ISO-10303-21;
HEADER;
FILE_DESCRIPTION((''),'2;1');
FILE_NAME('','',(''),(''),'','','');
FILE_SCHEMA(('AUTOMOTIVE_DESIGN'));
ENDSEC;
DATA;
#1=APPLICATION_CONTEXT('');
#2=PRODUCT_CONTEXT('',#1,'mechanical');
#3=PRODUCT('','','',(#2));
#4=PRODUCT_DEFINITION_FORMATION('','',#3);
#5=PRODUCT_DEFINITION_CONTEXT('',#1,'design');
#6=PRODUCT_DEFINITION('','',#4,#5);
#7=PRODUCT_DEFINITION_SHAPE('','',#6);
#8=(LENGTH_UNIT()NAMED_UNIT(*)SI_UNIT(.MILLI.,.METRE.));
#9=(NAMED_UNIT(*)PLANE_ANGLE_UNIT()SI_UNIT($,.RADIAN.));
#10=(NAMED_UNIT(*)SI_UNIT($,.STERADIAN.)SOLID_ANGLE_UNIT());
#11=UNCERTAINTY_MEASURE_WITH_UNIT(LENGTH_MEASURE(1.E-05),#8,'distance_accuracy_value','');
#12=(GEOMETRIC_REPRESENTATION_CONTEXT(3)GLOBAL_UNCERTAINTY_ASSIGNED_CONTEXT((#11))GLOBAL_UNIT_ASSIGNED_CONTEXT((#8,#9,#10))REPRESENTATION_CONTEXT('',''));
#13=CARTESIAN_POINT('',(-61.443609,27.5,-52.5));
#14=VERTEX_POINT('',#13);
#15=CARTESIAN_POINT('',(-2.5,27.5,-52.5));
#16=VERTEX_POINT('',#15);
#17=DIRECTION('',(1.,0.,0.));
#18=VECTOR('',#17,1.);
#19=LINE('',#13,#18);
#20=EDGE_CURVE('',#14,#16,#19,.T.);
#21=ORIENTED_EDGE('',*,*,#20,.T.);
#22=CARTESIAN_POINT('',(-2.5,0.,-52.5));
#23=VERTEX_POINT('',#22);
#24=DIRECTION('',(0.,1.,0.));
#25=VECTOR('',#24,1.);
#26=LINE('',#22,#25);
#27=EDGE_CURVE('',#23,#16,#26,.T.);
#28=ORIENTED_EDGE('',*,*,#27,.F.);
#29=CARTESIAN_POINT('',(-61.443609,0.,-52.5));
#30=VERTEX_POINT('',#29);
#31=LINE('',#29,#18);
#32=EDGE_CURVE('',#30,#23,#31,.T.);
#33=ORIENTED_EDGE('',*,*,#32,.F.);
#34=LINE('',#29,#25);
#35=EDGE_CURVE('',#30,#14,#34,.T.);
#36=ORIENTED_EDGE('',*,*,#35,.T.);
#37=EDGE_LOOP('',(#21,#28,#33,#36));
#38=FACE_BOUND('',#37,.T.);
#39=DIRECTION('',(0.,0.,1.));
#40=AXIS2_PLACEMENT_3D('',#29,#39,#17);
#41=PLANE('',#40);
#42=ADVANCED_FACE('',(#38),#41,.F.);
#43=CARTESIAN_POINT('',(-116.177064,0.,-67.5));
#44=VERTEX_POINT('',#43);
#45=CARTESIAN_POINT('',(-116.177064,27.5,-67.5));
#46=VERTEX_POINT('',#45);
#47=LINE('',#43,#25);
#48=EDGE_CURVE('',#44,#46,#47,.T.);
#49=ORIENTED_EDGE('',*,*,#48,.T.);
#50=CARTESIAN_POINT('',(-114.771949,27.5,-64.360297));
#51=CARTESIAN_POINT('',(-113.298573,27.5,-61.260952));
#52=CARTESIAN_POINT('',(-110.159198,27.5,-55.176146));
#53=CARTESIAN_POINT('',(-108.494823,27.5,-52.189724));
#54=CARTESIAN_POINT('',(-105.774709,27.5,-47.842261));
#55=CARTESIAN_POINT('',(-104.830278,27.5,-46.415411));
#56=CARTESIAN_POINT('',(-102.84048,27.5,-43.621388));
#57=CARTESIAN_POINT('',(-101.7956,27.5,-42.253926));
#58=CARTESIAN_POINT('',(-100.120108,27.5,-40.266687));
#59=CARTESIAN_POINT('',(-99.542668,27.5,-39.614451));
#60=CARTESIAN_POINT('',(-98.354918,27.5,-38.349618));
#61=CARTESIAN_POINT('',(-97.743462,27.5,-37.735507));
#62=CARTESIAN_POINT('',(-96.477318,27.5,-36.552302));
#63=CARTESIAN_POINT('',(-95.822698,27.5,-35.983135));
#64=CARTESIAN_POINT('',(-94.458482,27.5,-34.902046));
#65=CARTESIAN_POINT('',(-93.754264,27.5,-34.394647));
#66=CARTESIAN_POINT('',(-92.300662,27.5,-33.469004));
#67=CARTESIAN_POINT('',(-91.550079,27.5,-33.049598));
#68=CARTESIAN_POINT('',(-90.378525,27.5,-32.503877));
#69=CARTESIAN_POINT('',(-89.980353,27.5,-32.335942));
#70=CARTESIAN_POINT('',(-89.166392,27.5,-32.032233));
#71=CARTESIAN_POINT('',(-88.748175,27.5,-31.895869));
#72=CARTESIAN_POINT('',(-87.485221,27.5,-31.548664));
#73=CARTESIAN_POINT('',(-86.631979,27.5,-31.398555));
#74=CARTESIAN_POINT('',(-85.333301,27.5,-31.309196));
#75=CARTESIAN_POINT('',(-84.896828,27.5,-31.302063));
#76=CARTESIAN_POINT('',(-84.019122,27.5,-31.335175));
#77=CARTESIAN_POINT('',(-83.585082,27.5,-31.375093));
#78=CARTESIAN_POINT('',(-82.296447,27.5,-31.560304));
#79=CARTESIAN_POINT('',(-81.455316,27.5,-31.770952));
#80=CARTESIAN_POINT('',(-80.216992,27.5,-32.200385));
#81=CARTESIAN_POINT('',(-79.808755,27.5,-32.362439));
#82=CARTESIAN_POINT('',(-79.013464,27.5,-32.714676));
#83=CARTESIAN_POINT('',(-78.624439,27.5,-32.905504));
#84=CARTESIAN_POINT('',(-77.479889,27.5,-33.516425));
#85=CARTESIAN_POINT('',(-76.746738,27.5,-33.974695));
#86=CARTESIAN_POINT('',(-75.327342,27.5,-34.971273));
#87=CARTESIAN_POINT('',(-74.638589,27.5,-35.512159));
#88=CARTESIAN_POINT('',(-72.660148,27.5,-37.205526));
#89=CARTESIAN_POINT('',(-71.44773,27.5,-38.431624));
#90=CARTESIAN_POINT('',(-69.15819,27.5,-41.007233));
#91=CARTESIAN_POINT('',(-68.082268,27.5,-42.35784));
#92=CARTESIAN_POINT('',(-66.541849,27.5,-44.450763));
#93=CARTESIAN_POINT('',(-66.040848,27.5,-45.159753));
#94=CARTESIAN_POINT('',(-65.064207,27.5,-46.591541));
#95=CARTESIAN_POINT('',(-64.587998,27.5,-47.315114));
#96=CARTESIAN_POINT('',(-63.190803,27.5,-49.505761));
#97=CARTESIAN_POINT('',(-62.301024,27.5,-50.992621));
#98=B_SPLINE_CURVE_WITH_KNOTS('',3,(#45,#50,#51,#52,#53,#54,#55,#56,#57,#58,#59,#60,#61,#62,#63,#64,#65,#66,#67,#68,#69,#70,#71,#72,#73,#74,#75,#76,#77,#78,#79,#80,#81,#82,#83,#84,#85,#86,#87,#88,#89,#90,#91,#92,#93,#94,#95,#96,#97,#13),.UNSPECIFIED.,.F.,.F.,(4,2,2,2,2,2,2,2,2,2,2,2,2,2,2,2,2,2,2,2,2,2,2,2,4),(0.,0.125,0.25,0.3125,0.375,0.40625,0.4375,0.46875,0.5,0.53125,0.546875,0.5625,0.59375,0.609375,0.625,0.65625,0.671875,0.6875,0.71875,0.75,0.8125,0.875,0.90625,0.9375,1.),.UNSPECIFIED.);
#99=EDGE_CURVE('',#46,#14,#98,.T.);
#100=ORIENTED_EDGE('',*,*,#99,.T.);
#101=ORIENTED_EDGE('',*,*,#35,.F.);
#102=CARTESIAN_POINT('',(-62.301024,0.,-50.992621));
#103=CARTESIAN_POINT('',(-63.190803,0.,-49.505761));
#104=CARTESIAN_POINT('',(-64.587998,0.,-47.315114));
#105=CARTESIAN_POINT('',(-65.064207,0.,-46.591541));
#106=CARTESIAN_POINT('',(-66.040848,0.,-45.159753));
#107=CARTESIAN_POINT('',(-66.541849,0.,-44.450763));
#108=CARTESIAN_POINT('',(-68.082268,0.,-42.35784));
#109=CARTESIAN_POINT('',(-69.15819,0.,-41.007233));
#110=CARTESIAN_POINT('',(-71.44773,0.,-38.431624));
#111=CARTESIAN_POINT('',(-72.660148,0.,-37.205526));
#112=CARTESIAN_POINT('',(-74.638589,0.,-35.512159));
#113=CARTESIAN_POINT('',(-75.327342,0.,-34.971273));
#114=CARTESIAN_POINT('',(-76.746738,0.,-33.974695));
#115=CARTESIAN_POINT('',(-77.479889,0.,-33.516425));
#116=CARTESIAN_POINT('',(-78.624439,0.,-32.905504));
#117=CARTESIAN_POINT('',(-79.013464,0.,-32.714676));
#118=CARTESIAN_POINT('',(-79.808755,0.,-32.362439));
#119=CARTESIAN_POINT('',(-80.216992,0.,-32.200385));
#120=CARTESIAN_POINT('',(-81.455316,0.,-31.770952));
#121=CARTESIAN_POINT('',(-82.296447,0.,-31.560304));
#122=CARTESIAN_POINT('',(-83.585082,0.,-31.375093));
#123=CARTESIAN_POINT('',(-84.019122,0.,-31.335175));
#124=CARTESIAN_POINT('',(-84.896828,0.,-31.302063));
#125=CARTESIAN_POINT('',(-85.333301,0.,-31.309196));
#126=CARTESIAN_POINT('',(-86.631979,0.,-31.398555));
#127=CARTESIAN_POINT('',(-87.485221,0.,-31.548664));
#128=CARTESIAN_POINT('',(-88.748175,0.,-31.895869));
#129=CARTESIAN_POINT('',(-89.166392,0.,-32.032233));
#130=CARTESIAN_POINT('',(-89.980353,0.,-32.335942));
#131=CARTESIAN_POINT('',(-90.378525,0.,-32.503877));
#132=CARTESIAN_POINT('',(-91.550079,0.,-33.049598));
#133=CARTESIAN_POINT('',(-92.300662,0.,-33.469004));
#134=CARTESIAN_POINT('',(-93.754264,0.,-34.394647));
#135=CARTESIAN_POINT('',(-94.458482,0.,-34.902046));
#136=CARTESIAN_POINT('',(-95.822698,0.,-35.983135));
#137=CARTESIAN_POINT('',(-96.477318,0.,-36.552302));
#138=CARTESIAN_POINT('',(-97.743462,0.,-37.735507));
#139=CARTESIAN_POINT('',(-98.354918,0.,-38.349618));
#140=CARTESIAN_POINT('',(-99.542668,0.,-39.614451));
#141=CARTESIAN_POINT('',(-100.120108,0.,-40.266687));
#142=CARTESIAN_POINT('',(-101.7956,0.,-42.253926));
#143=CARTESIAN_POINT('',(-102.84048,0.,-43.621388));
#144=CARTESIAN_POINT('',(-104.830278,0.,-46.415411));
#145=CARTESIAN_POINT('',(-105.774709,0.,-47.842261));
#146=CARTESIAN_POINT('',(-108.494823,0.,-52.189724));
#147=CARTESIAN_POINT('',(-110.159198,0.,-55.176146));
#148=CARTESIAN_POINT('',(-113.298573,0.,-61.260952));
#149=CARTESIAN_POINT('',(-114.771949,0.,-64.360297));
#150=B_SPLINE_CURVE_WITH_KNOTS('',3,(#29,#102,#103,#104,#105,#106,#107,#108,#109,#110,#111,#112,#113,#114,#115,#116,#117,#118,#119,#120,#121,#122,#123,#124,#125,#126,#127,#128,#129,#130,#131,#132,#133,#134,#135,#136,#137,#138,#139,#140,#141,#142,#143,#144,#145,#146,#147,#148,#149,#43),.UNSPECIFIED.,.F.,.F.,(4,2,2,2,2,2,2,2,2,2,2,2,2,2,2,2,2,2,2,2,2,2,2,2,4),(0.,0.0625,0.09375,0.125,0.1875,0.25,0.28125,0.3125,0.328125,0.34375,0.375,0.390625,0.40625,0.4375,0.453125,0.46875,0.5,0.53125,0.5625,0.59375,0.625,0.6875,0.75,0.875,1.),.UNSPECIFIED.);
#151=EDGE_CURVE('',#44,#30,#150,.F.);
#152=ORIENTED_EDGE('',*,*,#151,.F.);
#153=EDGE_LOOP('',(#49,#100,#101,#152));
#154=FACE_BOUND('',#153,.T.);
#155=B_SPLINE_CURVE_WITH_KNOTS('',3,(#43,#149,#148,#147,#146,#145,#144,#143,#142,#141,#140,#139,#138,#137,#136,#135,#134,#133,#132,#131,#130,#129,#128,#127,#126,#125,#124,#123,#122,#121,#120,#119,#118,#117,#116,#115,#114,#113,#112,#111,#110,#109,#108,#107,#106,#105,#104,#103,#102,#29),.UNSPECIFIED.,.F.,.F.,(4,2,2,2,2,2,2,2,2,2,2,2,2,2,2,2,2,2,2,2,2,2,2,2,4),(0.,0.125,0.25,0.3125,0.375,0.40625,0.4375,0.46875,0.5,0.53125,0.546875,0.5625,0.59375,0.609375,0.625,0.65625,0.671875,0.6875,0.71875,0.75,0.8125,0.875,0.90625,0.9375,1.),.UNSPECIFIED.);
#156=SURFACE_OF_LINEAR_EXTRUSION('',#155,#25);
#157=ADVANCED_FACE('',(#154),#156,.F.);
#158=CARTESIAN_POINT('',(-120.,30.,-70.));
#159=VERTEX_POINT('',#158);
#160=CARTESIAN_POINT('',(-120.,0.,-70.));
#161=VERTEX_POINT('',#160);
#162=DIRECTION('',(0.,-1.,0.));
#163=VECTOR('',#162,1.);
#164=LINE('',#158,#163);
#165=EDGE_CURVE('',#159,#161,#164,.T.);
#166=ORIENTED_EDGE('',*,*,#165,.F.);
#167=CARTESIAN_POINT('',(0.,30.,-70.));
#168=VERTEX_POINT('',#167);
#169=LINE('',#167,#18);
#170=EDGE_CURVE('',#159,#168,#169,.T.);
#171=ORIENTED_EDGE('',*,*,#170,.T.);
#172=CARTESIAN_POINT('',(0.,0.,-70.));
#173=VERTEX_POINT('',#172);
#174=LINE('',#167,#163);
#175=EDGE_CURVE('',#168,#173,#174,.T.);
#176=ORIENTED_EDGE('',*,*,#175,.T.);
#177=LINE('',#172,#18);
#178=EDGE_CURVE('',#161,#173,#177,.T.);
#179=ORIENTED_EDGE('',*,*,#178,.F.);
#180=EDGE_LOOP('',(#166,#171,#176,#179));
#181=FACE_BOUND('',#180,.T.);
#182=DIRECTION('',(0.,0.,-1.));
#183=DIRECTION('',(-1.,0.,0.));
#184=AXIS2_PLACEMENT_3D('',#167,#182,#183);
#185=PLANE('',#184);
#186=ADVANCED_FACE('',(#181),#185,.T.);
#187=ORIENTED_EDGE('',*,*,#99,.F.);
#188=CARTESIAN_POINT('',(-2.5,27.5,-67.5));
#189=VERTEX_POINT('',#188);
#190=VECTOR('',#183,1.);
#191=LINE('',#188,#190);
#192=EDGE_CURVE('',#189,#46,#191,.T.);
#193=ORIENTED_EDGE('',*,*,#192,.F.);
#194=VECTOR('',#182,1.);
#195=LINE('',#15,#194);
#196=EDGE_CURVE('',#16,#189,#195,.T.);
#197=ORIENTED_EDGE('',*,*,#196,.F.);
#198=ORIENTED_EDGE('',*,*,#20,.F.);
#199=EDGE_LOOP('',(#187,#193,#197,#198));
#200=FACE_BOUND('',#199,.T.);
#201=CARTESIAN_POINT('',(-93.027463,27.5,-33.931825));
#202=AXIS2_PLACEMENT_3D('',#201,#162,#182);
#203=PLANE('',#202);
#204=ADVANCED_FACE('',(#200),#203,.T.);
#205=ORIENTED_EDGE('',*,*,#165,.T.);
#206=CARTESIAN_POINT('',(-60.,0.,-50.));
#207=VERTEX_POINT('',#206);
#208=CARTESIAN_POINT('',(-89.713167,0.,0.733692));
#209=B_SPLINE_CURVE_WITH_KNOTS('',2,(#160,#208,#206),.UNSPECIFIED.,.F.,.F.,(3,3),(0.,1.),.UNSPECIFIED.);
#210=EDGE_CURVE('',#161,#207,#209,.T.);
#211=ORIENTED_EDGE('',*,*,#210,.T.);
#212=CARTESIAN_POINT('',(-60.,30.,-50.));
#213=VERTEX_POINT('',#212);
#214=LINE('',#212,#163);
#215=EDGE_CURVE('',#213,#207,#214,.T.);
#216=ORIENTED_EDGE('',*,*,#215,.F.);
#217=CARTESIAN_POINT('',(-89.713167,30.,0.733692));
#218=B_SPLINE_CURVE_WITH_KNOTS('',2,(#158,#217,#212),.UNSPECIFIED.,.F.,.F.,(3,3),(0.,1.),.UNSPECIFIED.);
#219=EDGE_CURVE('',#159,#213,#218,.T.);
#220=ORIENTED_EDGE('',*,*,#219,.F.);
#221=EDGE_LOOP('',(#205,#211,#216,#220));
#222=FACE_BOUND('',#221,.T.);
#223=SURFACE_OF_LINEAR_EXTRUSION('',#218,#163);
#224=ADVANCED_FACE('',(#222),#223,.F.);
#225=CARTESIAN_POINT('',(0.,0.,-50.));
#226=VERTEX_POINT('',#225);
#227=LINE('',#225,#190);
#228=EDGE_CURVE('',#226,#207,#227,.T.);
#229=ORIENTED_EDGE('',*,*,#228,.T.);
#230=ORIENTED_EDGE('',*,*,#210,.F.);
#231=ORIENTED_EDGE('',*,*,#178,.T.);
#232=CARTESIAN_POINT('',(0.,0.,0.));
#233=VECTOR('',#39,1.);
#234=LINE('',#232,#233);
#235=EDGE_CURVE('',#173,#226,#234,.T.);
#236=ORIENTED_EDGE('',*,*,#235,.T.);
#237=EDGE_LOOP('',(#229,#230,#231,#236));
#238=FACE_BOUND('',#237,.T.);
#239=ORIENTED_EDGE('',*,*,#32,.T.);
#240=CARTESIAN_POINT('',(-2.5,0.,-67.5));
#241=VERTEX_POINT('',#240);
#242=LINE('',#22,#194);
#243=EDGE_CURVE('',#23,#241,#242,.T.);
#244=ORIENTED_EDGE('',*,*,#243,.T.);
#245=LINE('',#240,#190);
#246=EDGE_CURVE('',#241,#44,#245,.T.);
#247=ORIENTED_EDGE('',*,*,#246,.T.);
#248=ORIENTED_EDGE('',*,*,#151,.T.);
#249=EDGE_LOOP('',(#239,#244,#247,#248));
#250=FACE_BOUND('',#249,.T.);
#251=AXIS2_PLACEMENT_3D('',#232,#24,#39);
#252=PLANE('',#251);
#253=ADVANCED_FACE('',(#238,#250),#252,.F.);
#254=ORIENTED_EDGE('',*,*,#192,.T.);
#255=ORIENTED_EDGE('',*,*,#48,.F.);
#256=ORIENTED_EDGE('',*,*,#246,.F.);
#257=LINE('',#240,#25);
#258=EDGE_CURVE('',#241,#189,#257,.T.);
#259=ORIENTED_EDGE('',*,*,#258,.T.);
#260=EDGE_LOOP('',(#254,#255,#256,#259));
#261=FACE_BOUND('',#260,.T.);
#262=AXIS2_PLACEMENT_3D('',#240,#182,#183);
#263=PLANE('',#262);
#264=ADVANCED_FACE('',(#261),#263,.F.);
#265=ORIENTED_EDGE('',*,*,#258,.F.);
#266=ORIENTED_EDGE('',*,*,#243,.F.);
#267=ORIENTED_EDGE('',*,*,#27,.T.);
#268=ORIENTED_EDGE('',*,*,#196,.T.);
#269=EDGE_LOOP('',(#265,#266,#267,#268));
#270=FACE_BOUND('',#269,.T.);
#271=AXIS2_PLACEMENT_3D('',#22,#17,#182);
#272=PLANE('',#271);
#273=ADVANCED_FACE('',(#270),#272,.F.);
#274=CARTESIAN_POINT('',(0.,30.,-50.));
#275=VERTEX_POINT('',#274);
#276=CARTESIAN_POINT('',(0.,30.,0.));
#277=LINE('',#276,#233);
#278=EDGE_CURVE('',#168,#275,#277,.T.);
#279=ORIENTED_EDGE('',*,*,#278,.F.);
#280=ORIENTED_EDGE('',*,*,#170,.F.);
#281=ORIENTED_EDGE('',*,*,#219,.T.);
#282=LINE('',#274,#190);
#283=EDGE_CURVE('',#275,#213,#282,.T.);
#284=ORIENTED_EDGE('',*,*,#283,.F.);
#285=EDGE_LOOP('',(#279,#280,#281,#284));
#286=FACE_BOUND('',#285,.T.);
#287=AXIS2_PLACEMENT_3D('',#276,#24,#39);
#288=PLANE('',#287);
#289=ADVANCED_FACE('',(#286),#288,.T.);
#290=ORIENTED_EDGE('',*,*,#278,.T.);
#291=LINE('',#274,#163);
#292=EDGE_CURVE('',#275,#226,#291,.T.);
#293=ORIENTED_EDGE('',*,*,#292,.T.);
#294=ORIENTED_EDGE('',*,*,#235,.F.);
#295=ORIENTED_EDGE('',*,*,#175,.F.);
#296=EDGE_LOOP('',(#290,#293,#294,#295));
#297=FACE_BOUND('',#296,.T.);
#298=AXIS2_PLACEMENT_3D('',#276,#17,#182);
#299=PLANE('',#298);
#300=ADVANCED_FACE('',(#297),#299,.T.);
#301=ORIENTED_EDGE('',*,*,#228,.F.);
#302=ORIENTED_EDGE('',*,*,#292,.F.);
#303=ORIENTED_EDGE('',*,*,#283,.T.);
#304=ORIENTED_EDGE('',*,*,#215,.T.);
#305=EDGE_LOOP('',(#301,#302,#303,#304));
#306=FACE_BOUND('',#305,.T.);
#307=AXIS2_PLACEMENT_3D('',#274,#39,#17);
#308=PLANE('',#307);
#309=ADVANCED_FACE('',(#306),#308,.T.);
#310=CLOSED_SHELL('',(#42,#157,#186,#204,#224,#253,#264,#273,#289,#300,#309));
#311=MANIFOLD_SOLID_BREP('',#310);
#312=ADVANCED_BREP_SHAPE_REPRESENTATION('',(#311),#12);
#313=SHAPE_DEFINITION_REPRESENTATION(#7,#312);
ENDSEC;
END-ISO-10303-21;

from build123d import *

# Parameters (mm, degrees)
SALIENTE_EXTRUIR5_DEPTH = 30
CORTAR_EXTRUIR3_START   = -2.5
CORTAR_EXTRUIR3_DEPTH   = 140.62670419


with BuildPart() as part:
    # Croquis2 → Saliente-Extruir5 (new body)
    with BuildSketch(Plane(origin=(0, 0, 0), x_dir=(1, 0, 0), z_dir=(0, 1, 0))):
        with BuildLine():
            Line((-60, 70), (-120, 70))
            add(Edge.make_bspline(
                [(-120, 70), (-89.713167171, -0.733691908), (-60, 50)],
                knots=[0, 0, 0, 1, 1, 1], degree=2))
            Line((-60, 50), (0, 50))
            Line((0, 50), (0, 70))
            Line((0, 70), (-60, 70))
        make_face()
    extrude(amount=SALIENTE_EXTRUIR5_DEPTH)

    # Croquis6 → Cortar-Extruir3 (cut, through all)
    with BuildSketch(Plane(origin=(0, 30, 0), x_dir=(1, 0, 0), z_dir=(0, 1, 0)).offset(CORTAR_EXTRUIR3_START)):
        with BuildLine():
            Line((-61.443608846, 52.5), (-2.5, 52.5))
            Line((-2.5, 52.5), (-2.5, 67.5))
            Line((-2.5, 67.5), (-116.177064023, 67.5))
            add(Edge.make_bspline(
                [(-116.177064023, 67.5), (-114.771949279, 64.36029718), (-113.298573184, 61.260952171), (-110.159197746, 55.176145812), (-108.494822806, 52.189724076), (-105.774709206, 47.842260502), (-104.830277833, 46.415411024), (-102.84047971, 43.621387577), (-101.795600134, 42.253925578), (-100.120108367, 40.266686798), (-99.542667673, 39.614451444), (-98.354918015, 38.34961794), (-97.743462298, 37.735507144), (-96.477317691, 36.552301744), (-95.822698231, 35.983134847), (-94.458482086, 34.90204564), (-93.754263765, 34.394646732), (-92.3006624, 33.469003582), (-91.550079072, 33.049597651), (-90.378524873, 32.503876968), (-89.980353401, 32.335941503), (-89.166392132, 32.03223314), (-88.748175399, 31.895869396), (-87.485221486, 31.548664142), (-86.631979489, 31.398555215), (-85.33330058, 31.309196309), (-84.896827736, 31.302062963), (-84.019122286, 31.335175348), (-83.585082186, 31.375092766), (-82.296447109, 31.560304367), (-81.455315589, 31.770952245), (-80.216992234, 32.200384688), (-79.808755024, 32.362438708), (-79.013463711, 32.714675587), (-78.624438583, 32.905503689), (-77.479889065, 33.51642508), (-76.746737647, 33.974694553), (-75.327341507, 34.97127288), (-74.638588887, 35.512159344), (-72.660147986, 37.205526196), (-71.447730367, 38.431624015), (-69.158190303, 41.007233467), (-68.082268078, 42.357839921), (-66.541849459, 44.45076279), (-66.040847863, 45.159753109), (-65.064206831, 46.591540977), (-64.587998187, 47.31511405), (-63.190803125, 49.505760993), (-62.3010242, 50.992620961), (-61.443608846, 52.5)],
                knots=[0, 0, 0, 0, 0.125, 0.125, 0.25, 0.25, 0.3125, 0.3125, 0.375, 0.375, 0.40625, 0.40625, 0.4375, 0.4375, 0.46875, 0.46875, 0.5, 0.5, 0.53125, 0.53125, 0.546875, 0.546875, 0.5625, 0.5625, 0.59375, 0.59375, 0.609375, 0.609375, 0.625, 0.625, 0.65625, 0.65625, 0.671875, 0.671875, 0.6875, 0.6875, 0.71875, 0.71875, 0.75, 0.75, 0.8125, 0.8125, 0.875, 0.875, 0.90625, 0.90625, 0.9375, 0.9375, 1, 1, 1, 1], degree=3))
        make_face()
    extrude(amount=-CORTAR_EXTRUIR3_DEPTH, mode=Mode.SUBTRACT)


solid = part.part
